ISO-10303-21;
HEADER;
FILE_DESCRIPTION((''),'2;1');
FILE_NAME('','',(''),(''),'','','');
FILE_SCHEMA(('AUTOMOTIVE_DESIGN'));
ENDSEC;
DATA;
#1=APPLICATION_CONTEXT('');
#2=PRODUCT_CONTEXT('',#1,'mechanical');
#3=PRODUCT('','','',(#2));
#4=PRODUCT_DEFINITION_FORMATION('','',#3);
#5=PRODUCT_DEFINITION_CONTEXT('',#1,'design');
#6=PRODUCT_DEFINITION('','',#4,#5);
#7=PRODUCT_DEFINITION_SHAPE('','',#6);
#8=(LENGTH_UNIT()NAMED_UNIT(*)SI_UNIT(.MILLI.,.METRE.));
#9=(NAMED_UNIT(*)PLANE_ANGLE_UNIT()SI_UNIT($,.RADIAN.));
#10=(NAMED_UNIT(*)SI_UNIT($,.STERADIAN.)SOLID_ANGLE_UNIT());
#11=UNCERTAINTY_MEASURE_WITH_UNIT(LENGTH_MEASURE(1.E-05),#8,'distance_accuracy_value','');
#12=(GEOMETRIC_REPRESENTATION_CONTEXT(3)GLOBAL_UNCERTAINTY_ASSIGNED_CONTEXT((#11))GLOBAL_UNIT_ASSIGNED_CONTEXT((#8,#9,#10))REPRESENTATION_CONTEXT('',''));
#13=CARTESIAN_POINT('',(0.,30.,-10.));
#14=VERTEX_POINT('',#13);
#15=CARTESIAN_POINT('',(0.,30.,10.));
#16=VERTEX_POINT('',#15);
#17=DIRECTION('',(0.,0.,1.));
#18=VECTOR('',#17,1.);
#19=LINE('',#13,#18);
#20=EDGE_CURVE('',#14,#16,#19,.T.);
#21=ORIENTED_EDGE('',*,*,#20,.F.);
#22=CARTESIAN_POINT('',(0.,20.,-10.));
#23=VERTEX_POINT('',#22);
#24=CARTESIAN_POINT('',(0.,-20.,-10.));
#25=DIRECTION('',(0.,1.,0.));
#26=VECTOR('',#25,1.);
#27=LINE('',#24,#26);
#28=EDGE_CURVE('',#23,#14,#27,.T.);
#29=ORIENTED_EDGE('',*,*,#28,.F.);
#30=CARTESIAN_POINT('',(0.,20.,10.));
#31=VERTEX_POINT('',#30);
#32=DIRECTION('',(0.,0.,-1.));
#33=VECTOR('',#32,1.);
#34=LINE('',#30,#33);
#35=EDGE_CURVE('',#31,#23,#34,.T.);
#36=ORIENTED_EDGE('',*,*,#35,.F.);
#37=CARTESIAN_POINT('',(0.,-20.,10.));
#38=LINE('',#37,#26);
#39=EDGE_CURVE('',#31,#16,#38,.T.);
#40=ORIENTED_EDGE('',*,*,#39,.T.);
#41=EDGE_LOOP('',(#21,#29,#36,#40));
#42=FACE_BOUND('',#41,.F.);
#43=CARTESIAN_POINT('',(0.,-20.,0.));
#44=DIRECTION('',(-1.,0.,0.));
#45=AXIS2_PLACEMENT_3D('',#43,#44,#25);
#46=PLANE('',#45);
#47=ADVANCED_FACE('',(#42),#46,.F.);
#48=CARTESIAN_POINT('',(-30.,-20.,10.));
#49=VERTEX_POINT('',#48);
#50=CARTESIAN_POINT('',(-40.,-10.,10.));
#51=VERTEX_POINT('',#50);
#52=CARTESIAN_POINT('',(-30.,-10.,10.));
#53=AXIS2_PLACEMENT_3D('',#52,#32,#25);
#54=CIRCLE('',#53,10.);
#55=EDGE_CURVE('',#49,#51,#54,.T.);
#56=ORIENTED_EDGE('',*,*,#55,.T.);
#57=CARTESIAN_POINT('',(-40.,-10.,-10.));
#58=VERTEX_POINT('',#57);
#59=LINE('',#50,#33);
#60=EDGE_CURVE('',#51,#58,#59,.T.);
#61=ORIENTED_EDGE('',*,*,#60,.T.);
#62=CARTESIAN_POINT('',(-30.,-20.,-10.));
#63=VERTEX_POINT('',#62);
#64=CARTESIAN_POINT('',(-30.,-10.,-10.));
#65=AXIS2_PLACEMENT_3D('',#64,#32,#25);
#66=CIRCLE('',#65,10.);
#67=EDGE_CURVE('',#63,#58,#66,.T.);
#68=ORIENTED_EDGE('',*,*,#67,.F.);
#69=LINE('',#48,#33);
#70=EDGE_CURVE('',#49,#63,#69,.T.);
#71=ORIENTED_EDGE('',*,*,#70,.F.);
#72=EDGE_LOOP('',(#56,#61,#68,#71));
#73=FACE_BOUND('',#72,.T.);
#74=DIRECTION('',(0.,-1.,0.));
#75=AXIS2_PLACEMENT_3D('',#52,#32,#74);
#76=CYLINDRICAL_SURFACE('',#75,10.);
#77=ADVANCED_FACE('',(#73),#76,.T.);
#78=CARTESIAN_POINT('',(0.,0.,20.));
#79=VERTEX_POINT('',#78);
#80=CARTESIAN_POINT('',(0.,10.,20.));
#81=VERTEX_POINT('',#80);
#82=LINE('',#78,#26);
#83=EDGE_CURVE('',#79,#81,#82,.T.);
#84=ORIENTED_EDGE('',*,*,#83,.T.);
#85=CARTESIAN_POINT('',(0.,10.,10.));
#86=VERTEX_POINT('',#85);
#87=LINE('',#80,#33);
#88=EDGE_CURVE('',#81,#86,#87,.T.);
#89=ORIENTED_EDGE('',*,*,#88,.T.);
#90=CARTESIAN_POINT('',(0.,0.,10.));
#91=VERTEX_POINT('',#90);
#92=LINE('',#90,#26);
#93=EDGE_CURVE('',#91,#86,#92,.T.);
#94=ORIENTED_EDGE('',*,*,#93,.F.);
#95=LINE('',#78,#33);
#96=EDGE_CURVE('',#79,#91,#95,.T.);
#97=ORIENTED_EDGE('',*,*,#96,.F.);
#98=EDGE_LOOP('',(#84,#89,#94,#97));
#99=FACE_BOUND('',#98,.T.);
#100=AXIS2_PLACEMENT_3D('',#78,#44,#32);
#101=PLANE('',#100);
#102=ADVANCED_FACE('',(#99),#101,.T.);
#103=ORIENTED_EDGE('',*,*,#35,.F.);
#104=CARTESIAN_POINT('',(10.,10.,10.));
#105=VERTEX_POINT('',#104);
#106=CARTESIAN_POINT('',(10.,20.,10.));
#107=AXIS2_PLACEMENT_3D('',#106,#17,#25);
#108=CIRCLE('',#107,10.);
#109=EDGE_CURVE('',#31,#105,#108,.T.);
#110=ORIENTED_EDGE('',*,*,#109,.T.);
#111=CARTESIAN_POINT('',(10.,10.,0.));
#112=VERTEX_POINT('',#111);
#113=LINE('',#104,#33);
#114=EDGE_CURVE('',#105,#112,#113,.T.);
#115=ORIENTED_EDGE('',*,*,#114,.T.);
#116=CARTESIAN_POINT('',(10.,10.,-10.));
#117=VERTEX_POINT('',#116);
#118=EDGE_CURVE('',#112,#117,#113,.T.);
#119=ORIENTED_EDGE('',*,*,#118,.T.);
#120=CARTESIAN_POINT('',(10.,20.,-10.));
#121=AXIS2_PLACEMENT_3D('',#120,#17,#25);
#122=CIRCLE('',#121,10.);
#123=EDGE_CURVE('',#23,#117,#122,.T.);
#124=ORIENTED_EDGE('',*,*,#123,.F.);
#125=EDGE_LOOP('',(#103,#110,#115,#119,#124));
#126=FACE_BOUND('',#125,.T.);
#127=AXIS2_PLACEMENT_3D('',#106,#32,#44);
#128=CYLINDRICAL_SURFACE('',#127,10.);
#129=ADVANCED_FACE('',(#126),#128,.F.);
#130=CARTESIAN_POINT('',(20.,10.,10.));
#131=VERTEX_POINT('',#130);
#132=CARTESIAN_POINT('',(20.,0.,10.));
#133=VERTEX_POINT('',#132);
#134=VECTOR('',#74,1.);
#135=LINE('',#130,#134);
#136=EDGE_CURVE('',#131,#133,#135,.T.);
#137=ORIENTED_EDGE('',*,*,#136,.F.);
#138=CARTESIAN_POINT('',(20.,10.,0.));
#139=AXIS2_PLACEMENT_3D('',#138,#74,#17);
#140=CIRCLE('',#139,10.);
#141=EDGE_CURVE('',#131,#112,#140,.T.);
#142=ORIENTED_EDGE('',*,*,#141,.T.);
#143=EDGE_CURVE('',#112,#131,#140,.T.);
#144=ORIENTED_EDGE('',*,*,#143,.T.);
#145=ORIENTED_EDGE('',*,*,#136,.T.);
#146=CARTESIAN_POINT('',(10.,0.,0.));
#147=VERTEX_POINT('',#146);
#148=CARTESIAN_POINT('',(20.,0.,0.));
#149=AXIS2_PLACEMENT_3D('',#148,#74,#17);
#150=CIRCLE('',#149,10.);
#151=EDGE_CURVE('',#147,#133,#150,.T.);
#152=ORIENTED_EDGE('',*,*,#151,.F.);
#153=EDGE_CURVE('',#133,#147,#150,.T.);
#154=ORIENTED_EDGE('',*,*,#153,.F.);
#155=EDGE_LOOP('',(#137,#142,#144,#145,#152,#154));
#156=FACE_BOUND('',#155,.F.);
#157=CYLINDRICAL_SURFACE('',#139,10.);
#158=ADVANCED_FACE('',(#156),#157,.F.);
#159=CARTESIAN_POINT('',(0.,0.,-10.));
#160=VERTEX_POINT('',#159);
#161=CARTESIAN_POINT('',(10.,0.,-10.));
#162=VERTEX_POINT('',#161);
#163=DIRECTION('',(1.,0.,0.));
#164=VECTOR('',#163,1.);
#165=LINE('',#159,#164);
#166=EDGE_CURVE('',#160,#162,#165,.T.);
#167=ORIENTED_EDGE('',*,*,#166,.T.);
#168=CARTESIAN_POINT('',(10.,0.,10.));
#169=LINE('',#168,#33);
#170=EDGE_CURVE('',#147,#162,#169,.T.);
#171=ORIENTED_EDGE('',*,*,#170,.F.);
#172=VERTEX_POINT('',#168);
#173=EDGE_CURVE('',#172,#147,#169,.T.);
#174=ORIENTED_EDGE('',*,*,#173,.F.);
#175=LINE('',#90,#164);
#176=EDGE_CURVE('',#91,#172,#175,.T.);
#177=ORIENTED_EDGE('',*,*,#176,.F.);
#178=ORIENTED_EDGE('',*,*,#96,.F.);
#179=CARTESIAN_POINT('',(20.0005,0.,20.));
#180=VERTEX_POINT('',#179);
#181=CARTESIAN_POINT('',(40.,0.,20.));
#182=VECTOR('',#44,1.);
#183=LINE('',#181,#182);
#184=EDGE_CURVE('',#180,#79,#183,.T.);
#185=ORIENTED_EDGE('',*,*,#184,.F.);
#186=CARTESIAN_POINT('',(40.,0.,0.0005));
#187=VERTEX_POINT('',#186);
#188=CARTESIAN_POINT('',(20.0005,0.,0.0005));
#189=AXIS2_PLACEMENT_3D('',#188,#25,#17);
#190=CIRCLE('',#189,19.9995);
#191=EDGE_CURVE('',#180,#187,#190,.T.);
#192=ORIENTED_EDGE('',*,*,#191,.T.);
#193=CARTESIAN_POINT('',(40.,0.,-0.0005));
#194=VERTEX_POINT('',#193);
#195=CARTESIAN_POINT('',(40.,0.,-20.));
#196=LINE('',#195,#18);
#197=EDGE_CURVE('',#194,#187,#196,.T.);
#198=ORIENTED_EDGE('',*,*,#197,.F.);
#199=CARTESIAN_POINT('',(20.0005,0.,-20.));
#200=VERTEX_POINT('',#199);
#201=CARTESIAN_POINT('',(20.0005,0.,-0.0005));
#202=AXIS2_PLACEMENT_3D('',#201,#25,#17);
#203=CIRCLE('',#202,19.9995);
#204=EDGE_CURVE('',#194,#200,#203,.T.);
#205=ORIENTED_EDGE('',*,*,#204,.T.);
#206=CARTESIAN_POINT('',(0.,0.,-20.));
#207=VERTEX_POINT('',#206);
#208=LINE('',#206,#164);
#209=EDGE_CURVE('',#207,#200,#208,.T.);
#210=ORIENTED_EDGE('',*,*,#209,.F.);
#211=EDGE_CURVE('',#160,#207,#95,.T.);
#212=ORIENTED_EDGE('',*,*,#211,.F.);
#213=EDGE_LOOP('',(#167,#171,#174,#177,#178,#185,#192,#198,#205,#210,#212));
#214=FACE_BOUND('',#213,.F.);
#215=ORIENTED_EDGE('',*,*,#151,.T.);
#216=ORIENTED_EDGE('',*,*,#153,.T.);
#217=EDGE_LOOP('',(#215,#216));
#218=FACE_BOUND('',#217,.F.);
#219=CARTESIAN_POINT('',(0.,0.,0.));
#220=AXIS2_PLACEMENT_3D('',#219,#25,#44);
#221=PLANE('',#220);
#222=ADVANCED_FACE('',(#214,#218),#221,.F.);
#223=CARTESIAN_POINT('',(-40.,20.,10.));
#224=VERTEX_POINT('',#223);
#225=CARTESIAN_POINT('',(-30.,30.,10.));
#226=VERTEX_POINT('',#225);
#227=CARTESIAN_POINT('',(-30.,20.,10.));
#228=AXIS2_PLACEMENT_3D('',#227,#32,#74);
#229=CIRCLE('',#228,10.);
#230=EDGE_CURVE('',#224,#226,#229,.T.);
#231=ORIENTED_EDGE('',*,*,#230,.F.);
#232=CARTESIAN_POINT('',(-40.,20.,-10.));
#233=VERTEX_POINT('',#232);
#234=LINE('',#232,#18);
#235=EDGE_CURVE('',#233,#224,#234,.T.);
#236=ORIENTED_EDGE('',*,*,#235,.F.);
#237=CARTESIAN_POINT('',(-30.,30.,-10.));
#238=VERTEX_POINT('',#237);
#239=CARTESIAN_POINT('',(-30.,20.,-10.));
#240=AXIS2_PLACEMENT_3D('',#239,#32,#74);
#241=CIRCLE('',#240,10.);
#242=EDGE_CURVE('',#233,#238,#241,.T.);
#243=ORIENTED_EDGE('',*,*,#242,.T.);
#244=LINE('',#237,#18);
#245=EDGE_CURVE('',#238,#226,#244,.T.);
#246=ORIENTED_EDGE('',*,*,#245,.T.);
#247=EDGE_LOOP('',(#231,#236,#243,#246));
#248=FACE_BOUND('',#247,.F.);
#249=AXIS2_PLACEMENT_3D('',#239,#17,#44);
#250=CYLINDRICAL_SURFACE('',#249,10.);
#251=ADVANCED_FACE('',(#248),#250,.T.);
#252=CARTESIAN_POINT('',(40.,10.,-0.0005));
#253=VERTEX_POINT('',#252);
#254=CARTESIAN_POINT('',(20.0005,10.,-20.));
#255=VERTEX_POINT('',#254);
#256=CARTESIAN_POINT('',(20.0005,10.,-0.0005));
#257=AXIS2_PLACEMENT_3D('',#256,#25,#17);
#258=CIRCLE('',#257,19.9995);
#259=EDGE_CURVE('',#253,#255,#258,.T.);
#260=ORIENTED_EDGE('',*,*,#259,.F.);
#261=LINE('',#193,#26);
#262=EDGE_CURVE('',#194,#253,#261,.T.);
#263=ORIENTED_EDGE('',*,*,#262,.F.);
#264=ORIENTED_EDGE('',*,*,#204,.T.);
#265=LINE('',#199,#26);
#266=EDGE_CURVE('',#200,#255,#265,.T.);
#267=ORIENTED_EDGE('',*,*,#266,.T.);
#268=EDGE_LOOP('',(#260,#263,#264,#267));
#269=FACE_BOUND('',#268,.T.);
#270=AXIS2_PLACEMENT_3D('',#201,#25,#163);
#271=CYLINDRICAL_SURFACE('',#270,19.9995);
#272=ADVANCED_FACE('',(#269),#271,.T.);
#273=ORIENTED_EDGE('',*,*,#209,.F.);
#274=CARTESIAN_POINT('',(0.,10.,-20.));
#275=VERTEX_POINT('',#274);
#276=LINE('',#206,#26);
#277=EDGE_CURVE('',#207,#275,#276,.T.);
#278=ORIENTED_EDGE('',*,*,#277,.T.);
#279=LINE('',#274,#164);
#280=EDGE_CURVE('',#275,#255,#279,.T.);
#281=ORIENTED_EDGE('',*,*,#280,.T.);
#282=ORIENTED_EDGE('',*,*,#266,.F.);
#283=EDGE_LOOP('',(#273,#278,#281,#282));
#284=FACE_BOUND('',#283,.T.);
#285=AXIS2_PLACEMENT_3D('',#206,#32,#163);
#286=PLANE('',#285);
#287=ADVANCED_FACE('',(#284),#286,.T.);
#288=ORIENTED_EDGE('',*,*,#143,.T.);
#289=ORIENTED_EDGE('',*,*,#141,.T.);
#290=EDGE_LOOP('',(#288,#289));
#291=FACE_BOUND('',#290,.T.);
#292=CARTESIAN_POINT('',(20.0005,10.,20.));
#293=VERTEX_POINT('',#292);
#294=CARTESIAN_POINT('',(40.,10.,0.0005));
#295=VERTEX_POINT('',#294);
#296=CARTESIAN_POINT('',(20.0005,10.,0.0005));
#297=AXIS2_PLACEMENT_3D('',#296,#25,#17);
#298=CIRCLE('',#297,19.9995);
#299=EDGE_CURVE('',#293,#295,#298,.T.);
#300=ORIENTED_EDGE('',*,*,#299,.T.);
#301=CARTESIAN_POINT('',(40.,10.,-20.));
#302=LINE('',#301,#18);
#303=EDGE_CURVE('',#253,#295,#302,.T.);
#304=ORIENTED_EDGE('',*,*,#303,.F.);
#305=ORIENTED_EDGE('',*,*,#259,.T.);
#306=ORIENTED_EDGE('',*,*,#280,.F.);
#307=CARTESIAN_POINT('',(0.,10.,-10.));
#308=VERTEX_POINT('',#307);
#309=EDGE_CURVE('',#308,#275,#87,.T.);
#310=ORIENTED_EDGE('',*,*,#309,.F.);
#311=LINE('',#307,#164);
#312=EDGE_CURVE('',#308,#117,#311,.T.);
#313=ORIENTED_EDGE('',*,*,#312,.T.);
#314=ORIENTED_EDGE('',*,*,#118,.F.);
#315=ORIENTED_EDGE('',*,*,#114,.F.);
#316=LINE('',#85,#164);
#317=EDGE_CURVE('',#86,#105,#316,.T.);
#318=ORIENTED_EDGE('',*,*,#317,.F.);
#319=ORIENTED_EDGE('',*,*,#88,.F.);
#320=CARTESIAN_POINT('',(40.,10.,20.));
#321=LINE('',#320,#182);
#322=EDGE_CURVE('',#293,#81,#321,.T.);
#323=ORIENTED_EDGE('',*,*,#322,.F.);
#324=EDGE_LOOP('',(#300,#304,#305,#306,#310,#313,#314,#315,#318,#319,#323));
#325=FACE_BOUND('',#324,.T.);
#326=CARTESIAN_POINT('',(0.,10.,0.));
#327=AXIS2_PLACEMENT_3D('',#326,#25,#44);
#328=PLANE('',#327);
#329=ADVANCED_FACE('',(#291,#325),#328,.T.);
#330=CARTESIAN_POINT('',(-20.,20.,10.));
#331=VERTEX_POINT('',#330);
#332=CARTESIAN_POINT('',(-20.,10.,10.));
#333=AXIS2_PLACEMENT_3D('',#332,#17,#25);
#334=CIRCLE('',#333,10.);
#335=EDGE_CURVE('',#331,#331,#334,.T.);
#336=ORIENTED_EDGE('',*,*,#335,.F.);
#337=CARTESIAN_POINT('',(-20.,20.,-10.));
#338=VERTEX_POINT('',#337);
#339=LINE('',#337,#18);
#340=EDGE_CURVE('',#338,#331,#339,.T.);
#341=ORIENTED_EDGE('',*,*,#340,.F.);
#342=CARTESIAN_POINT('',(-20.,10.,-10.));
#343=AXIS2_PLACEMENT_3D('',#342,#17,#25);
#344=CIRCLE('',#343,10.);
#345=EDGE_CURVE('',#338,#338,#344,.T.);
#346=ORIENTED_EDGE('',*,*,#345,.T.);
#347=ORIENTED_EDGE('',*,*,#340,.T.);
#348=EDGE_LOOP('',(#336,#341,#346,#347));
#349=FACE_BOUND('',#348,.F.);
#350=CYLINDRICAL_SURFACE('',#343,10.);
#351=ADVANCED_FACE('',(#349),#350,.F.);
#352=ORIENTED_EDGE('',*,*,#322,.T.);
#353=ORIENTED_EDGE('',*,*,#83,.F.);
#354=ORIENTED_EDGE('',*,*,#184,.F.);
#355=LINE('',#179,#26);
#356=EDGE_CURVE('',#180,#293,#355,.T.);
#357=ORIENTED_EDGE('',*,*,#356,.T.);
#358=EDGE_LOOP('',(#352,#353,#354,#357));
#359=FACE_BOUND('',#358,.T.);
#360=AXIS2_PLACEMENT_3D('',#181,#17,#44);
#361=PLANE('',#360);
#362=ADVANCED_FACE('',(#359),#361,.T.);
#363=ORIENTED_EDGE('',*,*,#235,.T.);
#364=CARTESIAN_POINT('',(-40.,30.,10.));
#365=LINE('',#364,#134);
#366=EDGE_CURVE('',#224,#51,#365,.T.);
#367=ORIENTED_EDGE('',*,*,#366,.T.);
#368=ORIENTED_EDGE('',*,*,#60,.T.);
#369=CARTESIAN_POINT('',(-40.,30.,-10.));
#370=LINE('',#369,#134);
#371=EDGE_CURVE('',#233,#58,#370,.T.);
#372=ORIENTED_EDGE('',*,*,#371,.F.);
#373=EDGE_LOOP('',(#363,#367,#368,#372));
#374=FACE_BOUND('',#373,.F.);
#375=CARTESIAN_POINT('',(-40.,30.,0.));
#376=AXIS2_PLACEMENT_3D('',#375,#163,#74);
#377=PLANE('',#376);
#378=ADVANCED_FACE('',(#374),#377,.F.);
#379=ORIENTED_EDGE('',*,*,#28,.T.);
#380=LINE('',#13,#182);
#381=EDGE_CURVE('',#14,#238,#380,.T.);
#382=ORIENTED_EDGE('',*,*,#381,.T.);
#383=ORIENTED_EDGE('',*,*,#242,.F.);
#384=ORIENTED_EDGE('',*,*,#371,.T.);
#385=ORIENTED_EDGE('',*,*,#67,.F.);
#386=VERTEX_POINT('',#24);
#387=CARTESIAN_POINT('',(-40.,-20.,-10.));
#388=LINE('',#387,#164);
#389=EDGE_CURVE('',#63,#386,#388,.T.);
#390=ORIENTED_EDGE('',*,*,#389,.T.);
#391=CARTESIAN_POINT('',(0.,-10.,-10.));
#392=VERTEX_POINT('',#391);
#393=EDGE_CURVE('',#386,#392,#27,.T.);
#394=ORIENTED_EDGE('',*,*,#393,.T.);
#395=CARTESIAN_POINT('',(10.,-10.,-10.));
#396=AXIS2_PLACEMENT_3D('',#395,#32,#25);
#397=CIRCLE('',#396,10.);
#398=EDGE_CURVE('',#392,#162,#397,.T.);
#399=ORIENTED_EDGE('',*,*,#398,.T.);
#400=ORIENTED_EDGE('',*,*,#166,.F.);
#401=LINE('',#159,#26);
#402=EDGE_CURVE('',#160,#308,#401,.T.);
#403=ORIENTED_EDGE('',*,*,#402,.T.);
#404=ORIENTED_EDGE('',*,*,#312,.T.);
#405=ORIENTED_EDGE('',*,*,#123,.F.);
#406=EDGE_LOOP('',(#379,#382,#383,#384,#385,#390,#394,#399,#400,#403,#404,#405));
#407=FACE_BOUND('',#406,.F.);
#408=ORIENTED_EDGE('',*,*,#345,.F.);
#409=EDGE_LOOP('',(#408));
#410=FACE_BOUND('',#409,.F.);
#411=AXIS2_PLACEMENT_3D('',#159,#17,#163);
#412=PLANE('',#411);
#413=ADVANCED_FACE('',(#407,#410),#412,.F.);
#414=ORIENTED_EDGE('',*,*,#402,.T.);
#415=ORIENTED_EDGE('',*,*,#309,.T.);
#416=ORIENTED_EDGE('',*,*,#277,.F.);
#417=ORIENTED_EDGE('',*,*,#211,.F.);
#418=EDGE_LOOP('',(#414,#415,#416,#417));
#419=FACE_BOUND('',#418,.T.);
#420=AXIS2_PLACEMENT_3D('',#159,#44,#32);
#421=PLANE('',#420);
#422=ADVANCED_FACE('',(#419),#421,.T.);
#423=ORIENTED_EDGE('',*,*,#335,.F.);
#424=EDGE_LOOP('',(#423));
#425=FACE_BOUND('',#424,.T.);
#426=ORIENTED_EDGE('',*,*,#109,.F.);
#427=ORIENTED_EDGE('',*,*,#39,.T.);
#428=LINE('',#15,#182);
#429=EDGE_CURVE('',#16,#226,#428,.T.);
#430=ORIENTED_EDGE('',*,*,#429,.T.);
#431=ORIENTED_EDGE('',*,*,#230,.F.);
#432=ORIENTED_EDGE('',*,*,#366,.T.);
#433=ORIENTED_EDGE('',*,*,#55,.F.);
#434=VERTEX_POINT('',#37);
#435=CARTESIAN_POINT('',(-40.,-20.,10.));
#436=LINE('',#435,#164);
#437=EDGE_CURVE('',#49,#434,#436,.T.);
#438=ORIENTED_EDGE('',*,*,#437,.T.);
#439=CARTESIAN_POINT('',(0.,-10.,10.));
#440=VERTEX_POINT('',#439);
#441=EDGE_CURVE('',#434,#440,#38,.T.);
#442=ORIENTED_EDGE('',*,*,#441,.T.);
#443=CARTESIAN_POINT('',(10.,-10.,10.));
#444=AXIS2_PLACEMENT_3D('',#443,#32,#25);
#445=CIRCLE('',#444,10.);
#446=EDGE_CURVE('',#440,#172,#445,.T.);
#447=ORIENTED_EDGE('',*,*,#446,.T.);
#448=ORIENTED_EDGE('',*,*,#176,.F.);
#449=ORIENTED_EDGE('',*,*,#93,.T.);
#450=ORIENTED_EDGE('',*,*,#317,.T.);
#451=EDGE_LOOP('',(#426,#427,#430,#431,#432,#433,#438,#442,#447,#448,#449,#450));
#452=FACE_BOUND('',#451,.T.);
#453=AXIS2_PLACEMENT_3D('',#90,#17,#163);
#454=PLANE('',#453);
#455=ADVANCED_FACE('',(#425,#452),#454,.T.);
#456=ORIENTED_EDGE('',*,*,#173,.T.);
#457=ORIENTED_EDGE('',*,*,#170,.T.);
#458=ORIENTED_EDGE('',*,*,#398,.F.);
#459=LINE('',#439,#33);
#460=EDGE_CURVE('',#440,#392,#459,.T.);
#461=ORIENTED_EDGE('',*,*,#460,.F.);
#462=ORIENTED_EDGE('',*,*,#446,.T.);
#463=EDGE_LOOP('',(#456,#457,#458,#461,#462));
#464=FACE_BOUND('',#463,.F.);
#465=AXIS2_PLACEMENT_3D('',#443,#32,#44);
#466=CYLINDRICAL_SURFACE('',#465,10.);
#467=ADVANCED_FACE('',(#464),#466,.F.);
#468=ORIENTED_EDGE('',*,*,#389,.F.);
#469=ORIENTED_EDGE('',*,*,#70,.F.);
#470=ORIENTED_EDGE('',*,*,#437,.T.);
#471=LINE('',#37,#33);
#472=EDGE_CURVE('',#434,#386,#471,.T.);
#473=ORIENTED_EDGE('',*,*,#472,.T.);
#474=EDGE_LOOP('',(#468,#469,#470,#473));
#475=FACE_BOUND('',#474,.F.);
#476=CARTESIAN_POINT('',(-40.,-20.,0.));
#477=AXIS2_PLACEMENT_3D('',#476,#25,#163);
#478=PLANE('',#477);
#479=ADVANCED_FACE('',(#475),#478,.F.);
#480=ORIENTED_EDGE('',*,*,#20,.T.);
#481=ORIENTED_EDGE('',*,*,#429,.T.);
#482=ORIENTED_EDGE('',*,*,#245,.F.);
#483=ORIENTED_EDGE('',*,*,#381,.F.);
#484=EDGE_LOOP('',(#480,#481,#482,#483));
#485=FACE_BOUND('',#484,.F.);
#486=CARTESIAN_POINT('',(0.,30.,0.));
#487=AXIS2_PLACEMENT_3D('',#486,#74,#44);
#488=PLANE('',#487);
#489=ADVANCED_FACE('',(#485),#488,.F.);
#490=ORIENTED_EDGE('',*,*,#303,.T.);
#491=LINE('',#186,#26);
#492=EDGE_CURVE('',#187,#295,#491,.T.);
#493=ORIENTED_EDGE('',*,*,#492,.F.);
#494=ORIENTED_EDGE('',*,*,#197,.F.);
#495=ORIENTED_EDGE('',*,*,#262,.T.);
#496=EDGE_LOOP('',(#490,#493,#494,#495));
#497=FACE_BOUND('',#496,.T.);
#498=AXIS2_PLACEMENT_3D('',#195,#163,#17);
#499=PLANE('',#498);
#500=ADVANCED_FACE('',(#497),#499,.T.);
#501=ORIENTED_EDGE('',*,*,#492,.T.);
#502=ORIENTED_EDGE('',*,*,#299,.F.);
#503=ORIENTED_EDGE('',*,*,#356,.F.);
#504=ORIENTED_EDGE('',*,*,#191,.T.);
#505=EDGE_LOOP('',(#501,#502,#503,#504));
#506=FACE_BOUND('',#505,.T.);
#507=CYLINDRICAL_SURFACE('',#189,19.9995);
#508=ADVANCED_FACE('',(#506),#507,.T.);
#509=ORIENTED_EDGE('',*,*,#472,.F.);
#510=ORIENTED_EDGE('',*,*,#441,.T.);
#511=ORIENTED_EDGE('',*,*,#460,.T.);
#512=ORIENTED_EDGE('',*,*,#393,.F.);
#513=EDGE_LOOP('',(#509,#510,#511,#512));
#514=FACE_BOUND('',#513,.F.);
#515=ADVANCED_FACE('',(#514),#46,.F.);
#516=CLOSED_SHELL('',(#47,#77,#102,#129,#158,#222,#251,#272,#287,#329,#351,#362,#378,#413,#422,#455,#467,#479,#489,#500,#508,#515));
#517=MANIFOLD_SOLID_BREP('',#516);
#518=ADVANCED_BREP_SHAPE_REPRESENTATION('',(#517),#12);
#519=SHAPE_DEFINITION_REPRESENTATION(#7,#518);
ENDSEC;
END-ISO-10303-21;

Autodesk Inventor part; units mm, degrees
ref_plane "YZ Plane" through (0, 0, 0) normal (1, 0, 0) x (0, 1, 0)
ref_plane "XZ Plane" through (0, 0, 0) normal (0, 1, 0) x (-1, 0, 0)
ref_plane "XY Plane" through (0, 0, 0) normal (0, 0, 1) x (1, 0, 0)
sketch "草圖1" plane through (0, 0, 0) normal (0, 0, 1) x (1, 0, 0)
  line L0 (0, 30) -> (-40, 30)
  line L1 (-40, 30) -> (-40, -20)
  line L2 (-40, -20) -> (0, -20)
  line L3 (0, -20) -> (0, 30)
  point P0 (0, 0)
  dimension "d0" = 40
  dimension "d1" = 20
  dimension "d2" = 50
extrude "擠出1" add sketch "草圖1" along normal mid plane 20
sketch "草圖2" plane through (0, 0, 0) normal (0, 1, 0) x (-1, 0, 0)
  line L0 (0, -20) -> (-40, -20)
  line L1 (-40, -20) -> (-40, 20)
  line L2 (-40, 20) -> (0, 20)
  line L3 (0, 20) -> (0, -20)
  line L4 (40, -10) -> (0, -10) projected
  line L5 (0, 10) -> (0, -10) projected
  point P0 (0, 0)
  dimension "d5" = 40
  dimension "d6" = 40
  dimension "d7" = 10
  dimension "d8" = 0
extrude "擠出2" add sketch "草圖2" along normal blind 10
fillet "圓角1" radius 10 2 edges at (0, 10, 0) (0, 0, 0)
fillet "圓角2" radius 20 2 edges at (40, 5, 20) (40, 5, -20)
hole "孔1" at (20, 10, 0) direction (0, -1, 0) diameter 20 depth 72000 tip angle 118
hole "孔2" at (-20, 10, -10) direction (0, 0, 1) diameter 20 depth 20 tip angle 118
fillet "圓角3" radius 10 2 edges at (-40, 30, 0) (-40, -20, 0)
properties part number "22"
